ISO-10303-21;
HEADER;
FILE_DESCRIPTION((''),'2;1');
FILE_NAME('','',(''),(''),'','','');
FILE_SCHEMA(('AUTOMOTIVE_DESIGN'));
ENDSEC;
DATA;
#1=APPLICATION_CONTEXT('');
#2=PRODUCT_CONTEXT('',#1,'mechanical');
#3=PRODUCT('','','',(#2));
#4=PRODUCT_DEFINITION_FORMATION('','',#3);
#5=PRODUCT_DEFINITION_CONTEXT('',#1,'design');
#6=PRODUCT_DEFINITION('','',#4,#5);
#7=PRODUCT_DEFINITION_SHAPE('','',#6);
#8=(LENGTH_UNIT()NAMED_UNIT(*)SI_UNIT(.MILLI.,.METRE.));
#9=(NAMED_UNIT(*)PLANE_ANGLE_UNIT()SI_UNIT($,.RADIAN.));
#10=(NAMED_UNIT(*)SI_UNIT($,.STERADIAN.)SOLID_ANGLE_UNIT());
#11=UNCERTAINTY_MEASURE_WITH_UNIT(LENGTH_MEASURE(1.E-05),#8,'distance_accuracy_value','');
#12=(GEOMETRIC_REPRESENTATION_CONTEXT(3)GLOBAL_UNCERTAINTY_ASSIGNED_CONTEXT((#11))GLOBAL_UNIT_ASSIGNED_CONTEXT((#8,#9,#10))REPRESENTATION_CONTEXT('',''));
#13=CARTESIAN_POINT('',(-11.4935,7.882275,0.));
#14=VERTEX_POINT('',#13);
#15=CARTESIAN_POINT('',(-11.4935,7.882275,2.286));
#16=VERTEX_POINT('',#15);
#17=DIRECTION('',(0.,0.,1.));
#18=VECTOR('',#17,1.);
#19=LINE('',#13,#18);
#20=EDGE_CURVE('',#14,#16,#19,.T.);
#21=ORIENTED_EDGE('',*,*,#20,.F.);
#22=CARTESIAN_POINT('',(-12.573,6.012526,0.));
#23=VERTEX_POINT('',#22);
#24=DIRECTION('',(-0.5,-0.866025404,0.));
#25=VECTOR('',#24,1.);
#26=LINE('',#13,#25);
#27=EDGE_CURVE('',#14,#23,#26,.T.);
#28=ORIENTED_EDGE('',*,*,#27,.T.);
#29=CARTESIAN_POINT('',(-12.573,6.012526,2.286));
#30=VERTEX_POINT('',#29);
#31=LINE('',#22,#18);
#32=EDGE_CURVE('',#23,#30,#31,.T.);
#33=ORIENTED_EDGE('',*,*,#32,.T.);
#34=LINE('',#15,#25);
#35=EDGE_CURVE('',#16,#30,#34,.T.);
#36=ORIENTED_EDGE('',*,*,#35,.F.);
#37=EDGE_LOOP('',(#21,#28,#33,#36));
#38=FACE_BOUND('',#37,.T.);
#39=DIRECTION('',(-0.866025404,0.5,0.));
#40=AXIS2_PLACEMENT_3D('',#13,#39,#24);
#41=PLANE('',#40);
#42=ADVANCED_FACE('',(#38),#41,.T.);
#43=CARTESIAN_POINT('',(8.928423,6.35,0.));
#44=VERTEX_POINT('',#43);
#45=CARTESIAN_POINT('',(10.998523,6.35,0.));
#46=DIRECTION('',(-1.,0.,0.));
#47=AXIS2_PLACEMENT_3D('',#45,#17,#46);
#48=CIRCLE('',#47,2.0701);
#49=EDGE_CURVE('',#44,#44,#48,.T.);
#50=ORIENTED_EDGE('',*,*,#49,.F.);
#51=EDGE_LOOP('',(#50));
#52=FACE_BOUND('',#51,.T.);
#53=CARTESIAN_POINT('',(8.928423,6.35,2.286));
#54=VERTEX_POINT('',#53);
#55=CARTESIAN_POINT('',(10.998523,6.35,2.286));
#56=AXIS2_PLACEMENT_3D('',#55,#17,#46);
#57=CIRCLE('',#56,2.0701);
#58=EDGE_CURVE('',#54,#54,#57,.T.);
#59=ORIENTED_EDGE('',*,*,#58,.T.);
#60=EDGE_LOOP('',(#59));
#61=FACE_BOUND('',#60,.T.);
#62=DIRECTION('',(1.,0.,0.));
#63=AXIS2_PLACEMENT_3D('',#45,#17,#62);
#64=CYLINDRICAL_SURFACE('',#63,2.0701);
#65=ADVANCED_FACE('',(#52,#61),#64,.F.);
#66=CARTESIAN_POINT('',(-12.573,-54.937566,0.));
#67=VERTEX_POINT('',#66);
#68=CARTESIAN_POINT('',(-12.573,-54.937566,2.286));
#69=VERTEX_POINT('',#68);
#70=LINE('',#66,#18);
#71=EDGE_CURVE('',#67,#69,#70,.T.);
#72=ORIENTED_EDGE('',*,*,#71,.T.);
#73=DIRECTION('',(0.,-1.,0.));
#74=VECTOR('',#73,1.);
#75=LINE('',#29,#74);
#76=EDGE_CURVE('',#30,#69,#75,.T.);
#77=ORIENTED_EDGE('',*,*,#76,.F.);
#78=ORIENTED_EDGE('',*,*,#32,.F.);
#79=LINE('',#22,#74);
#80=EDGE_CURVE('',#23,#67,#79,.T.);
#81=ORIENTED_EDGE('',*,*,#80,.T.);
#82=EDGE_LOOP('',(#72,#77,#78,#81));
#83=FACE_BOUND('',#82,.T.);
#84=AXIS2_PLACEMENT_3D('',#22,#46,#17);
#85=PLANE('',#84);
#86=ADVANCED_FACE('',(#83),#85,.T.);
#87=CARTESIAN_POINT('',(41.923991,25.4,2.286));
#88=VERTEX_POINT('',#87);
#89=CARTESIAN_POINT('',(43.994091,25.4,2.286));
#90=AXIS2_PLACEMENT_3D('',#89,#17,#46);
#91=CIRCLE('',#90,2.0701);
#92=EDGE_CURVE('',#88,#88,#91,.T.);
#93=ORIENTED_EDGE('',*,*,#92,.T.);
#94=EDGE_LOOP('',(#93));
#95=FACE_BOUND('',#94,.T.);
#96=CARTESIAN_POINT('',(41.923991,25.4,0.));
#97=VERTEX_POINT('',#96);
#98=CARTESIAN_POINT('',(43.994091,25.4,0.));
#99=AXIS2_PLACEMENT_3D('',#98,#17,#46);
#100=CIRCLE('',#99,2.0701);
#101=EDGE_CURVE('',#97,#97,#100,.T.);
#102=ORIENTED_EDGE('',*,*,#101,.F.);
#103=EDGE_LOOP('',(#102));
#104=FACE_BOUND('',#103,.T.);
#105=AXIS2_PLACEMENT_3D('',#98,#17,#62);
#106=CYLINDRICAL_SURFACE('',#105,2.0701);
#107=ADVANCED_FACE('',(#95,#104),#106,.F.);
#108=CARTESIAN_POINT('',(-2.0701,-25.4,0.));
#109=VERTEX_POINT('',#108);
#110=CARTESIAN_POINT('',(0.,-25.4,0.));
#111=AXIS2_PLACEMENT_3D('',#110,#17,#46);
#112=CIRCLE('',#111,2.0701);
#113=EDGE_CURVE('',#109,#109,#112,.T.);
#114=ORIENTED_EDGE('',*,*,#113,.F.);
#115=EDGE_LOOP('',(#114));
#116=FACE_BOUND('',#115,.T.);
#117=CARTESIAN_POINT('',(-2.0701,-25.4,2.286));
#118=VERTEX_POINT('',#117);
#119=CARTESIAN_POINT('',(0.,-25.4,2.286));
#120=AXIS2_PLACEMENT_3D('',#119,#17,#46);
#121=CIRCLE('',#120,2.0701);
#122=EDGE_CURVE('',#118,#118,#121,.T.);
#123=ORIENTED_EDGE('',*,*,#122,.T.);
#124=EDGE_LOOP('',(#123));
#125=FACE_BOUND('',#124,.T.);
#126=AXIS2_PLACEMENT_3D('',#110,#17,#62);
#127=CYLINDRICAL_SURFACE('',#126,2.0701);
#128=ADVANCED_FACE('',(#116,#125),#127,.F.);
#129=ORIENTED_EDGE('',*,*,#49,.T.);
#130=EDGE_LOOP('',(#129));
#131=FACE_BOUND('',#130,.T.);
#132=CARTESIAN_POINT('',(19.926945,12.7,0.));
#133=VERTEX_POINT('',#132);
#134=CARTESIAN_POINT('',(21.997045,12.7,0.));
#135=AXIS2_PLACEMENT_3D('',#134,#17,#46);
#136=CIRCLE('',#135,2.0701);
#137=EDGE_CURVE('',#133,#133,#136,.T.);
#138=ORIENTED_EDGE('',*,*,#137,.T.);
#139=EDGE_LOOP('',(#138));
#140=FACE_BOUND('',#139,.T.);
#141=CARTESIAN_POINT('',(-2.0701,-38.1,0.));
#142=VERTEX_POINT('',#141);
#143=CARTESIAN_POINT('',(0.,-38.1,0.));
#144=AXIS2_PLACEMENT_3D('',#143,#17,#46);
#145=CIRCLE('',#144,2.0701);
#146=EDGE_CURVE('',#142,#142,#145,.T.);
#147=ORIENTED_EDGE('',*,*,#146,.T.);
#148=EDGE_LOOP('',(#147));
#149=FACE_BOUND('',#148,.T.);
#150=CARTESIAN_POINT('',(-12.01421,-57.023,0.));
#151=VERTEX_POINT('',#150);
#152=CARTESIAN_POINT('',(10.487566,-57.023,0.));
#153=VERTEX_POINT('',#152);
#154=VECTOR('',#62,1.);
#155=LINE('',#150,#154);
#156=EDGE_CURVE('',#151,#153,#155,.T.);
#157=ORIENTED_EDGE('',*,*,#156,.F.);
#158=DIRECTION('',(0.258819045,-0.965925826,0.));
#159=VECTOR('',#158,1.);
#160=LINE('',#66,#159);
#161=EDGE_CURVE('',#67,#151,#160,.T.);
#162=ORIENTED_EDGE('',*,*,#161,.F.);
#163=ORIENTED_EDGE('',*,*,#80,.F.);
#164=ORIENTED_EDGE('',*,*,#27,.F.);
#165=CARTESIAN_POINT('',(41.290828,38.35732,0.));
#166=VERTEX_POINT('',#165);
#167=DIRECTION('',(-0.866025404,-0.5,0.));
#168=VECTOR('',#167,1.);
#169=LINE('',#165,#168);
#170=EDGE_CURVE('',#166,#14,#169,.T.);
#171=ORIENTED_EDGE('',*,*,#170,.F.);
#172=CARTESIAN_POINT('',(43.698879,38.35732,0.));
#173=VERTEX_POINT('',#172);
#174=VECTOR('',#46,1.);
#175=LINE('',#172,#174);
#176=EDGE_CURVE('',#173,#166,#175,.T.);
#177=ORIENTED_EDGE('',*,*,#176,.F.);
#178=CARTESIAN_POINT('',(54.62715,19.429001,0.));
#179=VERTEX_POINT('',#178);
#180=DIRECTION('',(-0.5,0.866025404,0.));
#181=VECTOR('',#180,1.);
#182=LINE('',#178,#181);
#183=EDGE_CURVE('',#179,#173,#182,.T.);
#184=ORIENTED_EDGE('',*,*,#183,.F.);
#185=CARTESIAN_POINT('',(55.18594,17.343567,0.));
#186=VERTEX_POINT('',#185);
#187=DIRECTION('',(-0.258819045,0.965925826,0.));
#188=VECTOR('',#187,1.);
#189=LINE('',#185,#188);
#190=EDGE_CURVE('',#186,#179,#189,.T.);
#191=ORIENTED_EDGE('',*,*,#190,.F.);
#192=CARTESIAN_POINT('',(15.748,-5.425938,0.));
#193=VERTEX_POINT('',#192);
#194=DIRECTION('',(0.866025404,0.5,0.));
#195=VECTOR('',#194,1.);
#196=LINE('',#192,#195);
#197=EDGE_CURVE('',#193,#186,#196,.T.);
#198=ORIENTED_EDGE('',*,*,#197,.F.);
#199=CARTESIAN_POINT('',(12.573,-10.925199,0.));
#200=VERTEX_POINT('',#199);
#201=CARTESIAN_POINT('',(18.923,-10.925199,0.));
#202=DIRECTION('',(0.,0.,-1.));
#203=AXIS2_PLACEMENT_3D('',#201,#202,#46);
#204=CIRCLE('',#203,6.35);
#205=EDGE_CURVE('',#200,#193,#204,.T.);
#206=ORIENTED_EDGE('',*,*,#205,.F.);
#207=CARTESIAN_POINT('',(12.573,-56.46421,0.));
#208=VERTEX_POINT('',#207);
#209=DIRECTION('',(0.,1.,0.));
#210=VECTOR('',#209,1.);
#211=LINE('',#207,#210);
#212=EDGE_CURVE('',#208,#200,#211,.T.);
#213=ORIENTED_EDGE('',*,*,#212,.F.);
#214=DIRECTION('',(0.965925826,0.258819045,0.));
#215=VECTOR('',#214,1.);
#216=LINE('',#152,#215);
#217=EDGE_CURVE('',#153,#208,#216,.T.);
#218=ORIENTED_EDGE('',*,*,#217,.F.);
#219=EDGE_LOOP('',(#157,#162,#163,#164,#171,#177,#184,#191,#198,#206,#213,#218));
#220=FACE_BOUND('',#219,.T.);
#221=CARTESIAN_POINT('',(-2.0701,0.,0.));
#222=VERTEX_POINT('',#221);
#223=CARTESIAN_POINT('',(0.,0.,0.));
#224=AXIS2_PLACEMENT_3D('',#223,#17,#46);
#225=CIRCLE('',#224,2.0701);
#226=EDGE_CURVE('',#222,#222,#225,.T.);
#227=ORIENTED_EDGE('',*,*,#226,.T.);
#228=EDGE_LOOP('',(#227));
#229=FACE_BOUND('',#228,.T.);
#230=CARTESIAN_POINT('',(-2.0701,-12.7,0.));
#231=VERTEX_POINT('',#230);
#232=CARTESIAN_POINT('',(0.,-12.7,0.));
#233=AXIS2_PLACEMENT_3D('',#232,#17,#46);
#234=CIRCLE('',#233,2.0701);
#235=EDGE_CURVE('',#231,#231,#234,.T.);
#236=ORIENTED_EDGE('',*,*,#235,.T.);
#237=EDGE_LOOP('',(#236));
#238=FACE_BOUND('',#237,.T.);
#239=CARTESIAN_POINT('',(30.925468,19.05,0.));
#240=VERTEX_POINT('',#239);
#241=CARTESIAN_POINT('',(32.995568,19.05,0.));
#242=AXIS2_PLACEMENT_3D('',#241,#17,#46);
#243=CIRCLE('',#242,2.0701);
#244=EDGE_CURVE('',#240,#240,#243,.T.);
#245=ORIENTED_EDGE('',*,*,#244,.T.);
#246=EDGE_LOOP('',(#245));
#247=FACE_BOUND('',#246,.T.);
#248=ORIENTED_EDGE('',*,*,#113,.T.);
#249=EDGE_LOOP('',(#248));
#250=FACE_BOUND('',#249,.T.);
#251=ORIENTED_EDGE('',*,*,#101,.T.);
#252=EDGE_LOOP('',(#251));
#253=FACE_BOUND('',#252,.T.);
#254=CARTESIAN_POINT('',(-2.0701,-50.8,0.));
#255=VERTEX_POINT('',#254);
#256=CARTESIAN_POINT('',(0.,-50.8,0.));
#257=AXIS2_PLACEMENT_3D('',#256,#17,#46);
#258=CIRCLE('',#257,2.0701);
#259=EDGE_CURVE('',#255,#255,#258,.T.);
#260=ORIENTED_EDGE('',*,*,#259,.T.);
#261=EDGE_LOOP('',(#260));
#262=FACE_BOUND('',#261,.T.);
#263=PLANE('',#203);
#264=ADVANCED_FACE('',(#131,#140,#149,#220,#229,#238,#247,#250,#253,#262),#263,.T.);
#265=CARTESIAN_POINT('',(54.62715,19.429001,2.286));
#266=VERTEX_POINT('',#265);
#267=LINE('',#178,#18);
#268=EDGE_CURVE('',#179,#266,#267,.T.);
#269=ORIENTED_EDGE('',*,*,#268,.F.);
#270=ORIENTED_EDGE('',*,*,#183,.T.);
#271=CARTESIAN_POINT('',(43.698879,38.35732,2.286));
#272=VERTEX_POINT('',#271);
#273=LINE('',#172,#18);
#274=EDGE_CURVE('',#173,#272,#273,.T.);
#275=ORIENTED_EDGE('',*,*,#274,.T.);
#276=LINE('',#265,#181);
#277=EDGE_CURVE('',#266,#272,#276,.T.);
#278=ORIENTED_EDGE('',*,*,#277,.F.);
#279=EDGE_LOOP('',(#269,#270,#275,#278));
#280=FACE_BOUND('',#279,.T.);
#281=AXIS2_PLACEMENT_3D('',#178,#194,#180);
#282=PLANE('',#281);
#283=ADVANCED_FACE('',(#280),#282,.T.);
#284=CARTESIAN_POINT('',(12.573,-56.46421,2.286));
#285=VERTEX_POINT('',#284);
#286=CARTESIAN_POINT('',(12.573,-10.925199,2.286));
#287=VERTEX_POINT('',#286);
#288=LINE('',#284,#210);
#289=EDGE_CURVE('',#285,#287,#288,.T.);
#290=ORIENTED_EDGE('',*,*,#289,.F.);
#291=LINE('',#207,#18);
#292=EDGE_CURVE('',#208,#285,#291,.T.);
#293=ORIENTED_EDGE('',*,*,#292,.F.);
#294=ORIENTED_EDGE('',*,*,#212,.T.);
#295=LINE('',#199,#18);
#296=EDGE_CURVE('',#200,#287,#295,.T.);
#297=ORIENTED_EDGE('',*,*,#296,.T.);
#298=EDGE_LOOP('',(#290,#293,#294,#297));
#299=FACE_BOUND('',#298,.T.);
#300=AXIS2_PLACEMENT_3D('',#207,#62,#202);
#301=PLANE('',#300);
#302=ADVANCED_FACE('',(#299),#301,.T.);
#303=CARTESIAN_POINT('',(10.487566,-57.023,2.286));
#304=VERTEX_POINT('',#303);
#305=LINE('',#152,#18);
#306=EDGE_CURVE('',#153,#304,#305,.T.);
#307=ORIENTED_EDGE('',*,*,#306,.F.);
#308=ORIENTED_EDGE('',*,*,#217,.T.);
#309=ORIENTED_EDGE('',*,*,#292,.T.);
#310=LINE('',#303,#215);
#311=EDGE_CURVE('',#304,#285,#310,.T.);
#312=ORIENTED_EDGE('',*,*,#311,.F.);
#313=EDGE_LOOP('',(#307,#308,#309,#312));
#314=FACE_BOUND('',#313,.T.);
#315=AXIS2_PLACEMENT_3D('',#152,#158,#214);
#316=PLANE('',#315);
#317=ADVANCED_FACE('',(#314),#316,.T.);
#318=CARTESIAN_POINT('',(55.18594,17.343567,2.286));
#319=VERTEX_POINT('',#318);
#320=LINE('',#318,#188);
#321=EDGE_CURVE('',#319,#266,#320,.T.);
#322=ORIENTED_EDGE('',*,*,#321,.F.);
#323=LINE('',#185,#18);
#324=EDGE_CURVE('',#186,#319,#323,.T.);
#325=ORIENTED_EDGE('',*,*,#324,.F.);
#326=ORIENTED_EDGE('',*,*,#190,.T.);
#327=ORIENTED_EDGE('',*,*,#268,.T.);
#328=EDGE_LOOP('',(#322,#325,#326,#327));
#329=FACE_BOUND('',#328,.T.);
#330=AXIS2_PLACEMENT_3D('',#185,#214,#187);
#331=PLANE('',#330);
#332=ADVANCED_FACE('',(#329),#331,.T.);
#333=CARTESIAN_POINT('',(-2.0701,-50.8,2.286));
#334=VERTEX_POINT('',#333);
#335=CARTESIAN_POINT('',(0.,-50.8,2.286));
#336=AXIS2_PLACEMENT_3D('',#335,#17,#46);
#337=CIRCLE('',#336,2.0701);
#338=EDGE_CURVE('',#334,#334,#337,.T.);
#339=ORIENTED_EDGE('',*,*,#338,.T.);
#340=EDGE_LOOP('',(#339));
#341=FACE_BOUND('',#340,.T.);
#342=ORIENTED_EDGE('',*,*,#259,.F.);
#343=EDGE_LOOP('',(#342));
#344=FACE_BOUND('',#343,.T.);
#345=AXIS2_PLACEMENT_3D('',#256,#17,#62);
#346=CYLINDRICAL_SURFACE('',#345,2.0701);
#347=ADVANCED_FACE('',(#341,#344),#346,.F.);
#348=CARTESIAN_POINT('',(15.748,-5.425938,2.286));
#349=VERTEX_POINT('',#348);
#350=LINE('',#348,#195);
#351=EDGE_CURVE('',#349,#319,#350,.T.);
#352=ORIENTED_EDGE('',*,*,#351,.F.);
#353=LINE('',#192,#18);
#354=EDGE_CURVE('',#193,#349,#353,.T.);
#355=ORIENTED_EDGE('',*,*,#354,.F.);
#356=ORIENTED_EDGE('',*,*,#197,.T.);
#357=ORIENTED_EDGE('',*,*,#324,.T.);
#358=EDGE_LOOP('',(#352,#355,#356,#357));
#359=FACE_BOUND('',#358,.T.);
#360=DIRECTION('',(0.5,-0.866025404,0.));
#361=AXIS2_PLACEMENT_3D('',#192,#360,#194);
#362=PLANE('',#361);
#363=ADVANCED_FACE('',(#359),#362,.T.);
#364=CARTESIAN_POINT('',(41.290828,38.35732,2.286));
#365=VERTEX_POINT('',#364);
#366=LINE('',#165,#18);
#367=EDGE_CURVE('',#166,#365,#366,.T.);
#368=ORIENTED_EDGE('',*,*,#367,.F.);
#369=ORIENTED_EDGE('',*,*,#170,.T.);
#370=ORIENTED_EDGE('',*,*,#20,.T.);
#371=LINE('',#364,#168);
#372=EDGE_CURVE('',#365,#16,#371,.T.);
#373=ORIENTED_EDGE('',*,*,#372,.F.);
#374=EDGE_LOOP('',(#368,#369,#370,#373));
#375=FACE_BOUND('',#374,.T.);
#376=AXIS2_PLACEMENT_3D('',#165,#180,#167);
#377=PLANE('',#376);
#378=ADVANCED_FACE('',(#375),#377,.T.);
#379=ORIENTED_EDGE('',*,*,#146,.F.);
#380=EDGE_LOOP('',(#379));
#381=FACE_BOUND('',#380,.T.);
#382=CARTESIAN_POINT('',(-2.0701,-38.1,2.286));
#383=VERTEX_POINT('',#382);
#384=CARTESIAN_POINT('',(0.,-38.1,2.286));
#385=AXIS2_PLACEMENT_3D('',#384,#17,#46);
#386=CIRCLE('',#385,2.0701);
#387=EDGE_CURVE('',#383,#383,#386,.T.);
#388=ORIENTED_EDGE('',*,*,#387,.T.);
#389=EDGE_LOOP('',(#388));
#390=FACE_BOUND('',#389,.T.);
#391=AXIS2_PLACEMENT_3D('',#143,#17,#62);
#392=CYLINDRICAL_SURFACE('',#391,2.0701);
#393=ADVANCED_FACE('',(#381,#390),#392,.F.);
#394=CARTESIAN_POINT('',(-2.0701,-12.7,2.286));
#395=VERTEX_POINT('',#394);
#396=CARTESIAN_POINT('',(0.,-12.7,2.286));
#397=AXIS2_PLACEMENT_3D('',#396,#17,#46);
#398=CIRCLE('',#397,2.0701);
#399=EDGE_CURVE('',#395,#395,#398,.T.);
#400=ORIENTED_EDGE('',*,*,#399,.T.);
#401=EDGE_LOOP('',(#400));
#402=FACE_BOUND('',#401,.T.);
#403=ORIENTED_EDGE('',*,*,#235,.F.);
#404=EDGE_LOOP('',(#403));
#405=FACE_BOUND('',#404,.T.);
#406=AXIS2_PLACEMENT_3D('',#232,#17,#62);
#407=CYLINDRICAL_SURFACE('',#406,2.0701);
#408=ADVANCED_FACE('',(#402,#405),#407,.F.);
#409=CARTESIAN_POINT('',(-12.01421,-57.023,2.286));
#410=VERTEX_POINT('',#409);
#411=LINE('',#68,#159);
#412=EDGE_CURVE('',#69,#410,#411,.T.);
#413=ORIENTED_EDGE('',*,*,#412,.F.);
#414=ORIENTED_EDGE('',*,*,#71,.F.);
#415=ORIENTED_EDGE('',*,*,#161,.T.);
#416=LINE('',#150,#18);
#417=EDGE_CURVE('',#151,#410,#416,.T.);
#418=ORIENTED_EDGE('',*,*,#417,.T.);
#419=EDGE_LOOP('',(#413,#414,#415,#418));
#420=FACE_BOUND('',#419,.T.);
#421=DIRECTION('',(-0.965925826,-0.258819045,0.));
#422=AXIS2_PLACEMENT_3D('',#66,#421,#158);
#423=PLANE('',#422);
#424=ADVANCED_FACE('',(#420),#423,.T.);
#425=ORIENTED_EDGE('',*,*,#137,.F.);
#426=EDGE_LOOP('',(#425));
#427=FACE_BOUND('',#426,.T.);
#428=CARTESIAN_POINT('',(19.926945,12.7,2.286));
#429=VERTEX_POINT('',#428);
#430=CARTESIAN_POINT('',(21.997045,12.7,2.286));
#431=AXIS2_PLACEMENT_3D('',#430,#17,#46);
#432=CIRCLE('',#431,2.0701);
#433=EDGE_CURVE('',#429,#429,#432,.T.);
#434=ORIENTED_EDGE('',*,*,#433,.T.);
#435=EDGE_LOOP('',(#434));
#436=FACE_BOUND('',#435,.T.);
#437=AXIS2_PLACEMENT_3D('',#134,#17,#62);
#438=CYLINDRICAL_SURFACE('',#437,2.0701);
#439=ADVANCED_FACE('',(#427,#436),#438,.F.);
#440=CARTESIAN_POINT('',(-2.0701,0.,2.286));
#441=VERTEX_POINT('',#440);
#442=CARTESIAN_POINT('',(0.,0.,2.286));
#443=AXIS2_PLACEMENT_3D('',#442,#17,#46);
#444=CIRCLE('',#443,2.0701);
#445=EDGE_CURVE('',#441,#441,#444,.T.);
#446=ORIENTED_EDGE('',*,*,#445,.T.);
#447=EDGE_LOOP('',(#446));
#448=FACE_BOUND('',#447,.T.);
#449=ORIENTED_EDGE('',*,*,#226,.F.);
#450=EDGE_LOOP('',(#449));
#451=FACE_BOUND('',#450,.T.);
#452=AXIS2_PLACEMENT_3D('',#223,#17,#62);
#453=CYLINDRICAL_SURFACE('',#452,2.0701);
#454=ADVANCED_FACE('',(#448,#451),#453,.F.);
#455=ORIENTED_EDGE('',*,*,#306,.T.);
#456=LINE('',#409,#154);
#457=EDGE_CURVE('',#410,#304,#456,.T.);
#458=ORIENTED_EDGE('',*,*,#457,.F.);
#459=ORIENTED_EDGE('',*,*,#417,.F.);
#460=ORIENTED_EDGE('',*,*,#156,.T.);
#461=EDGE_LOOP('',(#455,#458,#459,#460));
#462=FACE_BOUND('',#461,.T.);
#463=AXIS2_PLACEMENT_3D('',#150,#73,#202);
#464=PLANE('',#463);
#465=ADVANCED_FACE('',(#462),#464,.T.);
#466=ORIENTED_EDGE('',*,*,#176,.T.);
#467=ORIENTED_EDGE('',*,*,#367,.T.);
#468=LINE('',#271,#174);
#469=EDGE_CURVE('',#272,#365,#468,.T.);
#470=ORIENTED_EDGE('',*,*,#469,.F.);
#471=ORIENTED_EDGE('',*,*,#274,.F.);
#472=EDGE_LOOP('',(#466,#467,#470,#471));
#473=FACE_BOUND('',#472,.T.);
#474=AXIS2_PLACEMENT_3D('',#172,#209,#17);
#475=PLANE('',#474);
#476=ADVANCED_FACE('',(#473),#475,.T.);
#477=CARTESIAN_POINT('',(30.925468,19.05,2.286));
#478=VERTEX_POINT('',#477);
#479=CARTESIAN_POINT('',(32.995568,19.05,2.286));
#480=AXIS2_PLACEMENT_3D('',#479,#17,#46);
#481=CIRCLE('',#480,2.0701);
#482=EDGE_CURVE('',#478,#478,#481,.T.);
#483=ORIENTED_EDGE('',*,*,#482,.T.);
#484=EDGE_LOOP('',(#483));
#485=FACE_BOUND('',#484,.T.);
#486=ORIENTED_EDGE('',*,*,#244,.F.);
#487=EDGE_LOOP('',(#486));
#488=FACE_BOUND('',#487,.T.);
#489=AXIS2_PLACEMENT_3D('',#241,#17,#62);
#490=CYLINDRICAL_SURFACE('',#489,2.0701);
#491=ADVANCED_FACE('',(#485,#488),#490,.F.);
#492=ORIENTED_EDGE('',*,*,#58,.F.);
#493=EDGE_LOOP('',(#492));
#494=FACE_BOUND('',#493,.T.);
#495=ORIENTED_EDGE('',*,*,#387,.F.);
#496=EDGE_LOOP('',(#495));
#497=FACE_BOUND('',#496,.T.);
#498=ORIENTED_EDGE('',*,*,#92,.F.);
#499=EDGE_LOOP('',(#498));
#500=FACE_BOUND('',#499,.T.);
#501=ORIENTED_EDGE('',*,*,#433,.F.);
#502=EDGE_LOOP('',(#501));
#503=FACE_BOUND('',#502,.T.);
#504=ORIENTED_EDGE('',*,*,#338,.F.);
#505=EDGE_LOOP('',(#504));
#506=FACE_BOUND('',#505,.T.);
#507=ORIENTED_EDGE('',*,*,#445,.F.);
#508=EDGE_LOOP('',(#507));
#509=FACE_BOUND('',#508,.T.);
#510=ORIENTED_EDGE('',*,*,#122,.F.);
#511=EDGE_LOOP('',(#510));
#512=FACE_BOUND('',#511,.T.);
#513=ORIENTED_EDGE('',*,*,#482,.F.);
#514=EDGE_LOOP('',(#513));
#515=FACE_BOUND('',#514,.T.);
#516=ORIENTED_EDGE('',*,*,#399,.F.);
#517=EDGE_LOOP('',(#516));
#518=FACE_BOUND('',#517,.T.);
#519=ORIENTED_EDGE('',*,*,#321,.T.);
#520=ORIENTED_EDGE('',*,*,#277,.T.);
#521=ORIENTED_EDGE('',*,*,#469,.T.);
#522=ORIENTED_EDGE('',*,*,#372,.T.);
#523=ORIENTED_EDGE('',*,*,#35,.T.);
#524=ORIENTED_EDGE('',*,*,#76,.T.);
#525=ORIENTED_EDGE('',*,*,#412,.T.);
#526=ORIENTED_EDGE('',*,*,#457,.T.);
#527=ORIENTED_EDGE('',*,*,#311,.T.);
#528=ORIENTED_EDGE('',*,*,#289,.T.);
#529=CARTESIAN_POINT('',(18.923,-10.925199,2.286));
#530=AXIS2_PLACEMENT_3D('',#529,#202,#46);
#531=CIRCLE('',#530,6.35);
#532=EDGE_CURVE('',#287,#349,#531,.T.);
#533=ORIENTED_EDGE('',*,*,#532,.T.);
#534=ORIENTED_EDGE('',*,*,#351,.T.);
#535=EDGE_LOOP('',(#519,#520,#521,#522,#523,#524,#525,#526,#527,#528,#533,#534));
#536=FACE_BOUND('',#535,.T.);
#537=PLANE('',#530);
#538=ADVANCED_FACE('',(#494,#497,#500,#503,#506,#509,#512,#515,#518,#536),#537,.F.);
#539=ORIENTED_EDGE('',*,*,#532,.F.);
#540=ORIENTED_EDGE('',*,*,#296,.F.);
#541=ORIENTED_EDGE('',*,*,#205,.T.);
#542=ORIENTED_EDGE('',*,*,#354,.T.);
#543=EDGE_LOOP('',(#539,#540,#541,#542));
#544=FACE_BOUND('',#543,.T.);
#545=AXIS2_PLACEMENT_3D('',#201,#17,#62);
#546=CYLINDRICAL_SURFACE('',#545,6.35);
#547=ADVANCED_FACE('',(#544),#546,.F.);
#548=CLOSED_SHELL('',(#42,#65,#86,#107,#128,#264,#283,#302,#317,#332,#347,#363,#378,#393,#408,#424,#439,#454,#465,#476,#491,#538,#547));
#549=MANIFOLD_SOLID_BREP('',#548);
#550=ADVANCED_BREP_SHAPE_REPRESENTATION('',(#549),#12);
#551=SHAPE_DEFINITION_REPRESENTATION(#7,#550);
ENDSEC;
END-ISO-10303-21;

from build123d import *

# Parameters (mm, degrees)
SKETCH1_R           = 2.0701
BOSS_EXTRUDE1_DEPTH = 2.286


with BuildPart() as part:
    # Sketch1 → Boss-Extrude1 (new body)
    with BuildSketch(Plane.XY.offset(2.286)):
        with BuildLine():
            Line((41.2908279, 38.357320472), (-11.4935, 7.88227455))
            Line((-11.4935, 7.88227455), (-12.573, 6.012525703))
            Line((-12.573, 6.012525703), (-12.573, -54.937566141))
            Line((-12.573, -54.937566141), (-12.014209682, -57.023))
            Line((-12.014209682, -57.023), (10.487566141, -57.023))
            Line((10.487566141, -57.023), (12.573, -56.464209682))
            Line((12.573, -56.464209682), (12.573, -10.925199144))
            ThreePointArc((12.573, -10.925199144), (13.423738686, -7.750199144), (15.748, -5.42593783))
            Line((15.748, -5.42593783), (55.185939989, 17.343567439))
            Line((55.185939989, 17.343567439), (54.627149671, 19.429001298))
            Line((54.627149671, 19.429001298), (43.6988795, 38.357320472))
            Line((43.6988795, 38.357320472), (41.2908279, 38.357320472))
        make_face()
        Circle(SKETCH1_R, mode=Mode.SUBTRACT)
        with Locations((0, -38.1)):
            Circle(SKETCH1_R, mode=Mode.SUBTRACT)
        with Locations((0, -12.7)):
            Circle(SKETCH1_R, mode=Mode.SUBTRACT)
        with Locations((0, -25.4)):
            Circle(SKETCH1_R, mode=Mode.SUBTRACT)
        with Locations((0, -50.8)):
            Circle(SKETCH1_R, mode=Mode.SUBTRACT)
        with Locations((32.995567884, 19.05)):
            Circle(SKETCH1_R, mode=Mode.SUBTRACT)
        with Locations((10.998522628, 6.35)):
            Circle(SKETCH1_R, mode=Mode.SUBTRACT)
        with Locations((21.997045256, 12.7)):
            Circle(SKETCH1_R, mode=Mode.SUBTRACT)
        with Locations((43.994090512, 25.4)):
            Circle(SKETCH1_R, mode=Mode.SUBTRACT)
    extrude(amount=-BOSS_EXTRUDE1_DEPTH)


solid = part.part
